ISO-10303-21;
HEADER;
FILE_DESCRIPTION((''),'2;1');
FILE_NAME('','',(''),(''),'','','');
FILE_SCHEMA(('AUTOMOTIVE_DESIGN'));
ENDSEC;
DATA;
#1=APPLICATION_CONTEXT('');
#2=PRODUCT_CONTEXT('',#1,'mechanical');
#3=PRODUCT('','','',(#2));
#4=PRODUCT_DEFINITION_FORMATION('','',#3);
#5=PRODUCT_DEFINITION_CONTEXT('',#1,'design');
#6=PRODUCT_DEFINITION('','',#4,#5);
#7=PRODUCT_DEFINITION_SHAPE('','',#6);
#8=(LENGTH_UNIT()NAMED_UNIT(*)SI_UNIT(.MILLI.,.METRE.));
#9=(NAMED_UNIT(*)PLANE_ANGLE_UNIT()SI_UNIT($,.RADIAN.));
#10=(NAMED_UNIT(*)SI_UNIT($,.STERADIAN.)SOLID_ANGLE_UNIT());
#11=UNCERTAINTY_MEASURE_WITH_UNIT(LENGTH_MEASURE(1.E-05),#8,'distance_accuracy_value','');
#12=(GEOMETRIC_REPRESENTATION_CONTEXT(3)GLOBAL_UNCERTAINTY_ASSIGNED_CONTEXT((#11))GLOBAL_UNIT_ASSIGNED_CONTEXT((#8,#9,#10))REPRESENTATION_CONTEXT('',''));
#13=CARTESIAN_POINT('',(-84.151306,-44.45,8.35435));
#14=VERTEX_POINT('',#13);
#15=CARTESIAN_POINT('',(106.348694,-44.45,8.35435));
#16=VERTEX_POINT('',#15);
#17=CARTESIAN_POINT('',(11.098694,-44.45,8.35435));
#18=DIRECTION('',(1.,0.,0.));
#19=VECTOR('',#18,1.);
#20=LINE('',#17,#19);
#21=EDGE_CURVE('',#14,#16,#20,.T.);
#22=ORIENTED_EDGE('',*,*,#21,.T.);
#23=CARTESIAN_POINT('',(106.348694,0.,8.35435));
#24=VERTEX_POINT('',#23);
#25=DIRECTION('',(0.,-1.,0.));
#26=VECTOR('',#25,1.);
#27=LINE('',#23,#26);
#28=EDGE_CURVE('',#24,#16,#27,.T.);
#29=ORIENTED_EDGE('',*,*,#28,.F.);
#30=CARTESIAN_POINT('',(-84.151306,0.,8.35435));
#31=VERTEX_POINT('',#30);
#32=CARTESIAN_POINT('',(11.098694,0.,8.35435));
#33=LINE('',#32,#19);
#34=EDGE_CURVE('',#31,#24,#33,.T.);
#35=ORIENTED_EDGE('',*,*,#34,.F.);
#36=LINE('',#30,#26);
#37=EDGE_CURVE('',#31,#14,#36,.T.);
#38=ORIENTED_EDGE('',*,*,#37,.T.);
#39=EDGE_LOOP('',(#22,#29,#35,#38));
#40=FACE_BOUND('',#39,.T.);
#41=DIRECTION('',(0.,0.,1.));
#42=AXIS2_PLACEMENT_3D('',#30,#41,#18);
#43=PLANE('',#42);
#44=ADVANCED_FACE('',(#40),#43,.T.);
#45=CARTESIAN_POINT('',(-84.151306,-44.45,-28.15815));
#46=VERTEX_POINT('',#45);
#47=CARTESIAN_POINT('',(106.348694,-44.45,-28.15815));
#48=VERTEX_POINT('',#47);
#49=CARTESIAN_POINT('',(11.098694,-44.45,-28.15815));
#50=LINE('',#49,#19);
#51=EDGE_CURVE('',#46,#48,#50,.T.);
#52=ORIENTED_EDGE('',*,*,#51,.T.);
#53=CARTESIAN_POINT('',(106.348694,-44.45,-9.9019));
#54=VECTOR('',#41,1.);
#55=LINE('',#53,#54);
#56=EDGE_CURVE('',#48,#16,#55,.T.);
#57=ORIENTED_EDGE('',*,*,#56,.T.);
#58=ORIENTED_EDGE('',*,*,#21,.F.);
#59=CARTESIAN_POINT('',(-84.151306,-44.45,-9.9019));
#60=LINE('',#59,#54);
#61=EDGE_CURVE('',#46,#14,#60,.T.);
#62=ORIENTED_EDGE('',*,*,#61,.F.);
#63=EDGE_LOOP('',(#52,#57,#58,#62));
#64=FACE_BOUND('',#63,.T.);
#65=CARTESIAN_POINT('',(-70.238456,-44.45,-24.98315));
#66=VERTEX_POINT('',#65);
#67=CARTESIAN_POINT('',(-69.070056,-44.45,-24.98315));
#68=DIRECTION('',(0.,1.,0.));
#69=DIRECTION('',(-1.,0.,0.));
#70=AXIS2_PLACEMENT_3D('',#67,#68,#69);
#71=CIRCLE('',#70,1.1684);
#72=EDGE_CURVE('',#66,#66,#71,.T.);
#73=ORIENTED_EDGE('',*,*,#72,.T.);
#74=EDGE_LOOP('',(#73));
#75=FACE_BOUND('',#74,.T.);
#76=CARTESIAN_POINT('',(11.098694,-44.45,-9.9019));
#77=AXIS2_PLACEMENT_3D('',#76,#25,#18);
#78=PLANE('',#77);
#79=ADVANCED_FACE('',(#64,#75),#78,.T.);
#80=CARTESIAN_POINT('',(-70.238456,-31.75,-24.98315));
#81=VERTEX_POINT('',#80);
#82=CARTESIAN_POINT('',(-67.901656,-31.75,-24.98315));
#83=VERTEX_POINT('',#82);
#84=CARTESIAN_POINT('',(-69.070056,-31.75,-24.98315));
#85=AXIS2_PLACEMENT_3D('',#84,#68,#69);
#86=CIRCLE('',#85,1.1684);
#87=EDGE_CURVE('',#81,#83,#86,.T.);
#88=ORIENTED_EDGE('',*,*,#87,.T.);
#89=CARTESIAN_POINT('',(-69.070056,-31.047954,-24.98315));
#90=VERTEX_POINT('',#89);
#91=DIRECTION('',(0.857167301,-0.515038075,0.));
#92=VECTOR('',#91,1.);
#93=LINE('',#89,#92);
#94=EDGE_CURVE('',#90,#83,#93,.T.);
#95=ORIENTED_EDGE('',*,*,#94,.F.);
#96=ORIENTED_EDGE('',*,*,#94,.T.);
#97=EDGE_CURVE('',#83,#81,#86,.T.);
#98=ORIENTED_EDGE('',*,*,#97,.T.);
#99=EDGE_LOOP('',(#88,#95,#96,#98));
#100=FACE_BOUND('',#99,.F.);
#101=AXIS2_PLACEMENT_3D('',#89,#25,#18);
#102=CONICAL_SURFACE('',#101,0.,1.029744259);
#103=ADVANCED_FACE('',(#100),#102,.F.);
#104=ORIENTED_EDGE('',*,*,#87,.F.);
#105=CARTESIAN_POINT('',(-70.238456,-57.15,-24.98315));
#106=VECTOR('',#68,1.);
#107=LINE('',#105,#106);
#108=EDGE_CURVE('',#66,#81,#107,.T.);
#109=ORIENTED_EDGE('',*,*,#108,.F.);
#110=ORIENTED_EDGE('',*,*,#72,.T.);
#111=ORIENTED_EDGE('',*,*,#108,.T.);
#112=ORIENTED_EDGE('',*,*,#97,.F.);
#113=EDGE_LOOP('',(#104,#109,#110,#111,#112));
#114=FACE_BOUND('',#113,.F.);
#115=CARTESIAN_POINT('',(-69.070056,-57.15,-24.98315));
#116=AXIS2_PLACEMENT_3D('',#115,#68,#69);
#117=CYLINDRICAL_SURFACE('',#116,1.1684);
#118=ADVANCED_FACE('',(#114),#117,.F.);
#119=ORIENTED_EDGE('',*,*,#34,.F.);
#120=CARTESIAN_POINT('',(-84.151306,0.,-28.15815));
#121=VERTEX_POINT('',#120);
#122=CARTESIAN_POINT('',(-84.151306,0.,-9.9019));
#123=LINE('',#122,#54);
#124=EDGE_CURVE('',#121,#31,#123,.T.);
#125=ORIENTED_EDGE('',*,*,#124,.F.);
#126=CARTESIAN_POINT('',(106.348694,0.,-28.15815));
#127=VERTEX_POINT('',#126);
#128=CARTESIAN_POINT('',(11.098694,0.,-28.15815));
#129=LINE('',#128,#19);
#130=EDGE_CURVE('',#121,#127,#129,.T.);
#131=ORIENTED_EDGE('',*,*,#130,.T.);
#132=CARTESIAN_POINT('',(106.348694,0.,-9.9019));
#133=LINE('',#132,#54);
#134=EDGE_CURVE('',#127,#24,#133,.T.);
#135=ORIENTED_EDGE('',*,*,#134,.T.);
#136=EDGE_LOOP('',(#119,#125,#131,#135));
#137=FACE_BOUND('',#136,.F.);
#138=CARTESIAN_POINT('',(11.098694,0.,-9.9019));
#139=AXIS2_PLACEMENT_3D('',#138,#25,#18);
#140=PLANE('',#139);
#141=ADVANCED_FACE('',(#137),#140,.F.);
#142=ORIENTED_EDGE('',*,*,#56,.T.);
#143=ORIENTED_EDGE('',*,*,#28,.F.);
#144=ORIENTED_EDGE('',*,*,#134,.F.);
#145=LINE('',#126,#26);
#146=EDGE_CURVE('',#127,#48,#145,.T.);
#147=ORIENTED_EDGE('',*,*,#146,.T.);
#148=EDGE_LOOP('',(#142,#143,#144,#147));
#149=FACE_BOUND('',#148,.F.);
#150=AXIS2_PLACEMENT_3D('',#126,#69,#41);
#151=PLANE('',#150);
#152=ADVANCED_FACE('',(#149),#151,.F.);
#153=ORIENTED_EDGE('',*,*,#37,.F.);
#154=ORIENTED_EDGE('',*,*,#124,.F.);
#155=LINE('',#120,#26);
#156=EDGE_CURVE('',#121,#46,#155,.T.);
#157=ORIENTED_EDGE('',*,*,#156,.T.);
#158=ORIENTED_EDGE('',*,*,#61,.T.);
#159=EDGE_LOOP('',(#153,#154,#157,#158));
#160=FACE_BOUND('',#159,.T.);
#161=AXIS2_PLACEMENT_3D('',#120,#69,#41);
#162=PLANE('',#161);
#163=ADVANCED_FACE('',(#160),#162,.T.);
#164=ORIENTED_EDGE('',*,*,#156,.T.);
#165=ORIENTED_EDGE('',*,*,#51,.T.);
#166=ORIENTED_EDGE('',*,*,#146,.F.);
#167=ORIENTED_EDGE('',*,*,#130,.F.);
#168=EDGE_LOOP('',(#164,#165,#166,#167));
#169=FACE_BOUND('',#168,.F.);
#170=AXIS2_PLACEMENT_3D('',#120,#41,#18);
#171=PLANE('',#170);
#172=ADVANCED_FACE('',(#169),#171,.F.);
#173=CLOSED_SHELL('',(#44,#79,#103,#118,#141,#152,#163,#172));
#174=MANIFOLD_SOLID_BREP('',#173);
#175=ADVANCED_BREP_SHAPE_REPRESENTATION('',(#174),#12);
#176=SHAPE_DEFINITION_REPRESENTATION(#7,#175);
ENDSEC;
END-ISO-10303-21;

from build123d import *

# Parameters (mm, degrees)
F0_W     = 190.5
F0_H     = 36.5125
F1_DEPTH = 44.45
F3_D     = 2.3368
F3_DEPTH = 12.7
F3_TIP   = 0.7020455473


with BuildPart() as f1:
    # F0 (on Front) → F1 (new body)
    with BuildSketch(Plane.XZ):
        with Locations((11.0986940563, -9.9018995035)):
            Rectangle(F0_W, F0_H)
    extrude(amount=F1_DEPTH)

    # F3
    with Locations(Plane.XZ.offset(44.45)):
        with Locations((-69.0700559437, -24.9831495035)):
            Hole(F3_D / 2, depth=F3_DEPTH)
            with Locations((0, 0, -(F3_DEPTH + F3_TIP / 2))):  # 118° drill point
                Cone(0, F3_D / 2, F3_TIP, mode=Mode.SUBTRACT)


solid = f1.part
